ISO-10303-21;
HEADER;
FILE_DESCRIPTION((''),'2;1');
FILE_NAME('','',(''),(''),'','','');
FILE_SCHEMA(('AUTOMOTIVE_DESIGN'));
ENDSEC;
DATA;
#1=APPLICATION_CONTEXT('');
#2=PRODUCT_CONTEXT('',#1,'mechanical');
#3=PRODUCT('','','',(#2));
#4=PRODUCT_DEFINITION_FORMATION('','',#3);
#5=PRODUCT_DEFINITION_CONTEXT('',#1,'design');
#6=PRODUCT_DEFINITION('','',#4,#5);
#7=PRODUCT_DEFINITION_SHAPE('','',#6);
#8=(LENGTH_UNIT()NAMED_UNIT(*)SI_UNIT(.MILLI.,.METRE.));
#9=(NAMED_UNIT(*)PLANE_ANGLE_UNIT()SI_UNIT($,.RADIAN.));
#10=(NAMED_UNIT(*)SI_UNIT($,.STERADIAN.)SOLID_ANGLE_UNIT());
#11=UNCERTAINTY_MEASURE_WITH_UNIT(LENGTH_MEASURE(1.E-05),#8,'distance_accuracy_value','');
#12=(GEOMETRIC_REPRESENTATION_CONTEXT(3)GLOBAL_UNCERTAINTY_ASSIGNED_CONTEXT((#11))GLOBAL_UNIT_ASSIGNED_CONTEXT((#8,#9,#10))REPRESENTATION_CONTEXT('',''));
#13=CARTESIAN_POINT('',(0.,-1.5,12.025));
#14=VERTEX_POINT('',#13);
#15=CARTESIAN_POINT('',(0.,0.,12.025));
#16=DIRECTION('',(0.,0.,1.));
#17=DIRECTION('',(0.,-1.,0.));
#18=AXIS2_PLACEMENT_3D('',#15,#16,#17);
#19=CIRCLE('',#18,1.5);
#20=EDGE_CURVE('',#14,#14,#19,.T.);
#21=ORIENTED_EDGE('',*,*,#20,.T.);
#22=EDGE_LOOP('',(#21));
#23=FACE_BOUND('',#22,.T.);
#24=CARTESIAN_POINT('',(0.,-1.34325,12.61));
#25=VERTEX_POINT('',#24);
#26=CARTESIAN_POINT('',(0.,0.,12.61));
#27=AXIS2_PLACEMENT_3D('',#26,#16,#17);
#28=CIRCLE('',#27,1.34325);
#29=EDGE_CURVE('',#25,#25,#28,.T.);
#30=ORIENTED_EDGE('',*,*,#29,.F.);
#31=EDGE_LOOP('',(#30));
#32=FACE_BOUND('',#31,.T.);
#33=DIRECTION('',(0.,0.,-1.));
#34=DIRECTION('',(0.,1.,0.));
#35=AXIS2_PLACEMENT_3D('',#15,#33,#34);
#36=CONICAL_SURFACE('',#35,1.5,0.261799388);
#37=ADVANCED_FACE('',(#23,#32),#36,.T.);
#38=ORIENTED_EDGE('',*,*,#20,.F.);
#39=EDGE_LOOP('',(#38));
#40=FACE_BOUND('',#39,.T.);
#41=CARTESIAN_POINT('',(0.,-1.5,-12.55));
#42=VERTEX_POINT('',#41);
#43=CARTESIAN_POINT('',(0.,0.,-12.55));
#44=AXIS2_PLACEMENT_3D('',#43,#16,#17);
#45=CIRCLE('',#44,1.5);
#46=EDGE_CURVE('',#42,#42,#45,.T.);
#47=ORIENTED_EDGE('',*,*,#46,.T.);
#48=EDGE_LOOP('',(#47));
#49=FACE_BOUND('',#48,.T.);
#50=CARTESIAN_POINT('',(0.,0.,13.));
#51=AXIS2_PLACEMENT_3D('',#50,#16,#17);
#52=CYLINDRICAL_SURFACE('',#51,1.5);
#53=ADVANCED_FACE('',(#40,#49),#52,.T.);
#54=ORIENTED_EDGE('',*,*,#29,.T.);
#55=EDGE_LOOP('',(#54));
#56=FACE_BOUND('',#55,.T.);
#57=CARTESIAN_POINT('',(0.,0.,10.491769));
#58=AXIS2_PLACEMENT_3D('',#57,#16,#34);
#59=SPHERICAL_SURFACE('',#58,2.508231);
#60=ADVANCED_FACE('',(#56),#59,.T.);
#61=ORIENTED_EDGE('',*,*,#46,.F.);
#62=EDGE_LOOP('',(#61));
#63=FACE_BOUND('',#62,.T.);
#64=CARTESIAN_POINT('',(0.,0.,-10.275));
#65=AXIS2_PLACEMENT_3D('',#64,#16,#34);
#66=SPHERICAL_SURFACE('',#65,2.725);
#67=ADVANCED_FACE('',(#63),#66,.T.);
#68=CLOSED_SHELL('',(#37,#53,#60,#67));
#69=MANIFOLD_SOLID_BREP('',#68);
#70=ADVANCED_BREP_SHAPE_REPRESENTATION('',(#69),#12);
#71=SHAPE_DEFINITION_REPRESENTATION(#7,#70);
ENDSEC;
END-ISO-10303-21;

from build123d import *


with BuildPart() as part:
    # Sketch3 → Revolve1 (revolve)
    with BuildSketch(Plane(origin=(0, 0, 0), x_dir=(0, 0, -1), z_dir=(1, 0, 0))):
        with BuildLine():
            Line((-13, 0), (13, 0))
            ThreePointArc((13, 0), (12.885076627, 0.783022988), (12.55, 1.5))
            Line((12.55, 1.5), (-12.025, 1.5))
            Line((-12.025, 1.5), (-12.61, 1.343249722))
            ThreePointArc((-12.61, 1.343249722), (-12.90052754, 0.699360389), (-13, 0))
        make_face()
    revolve(axis=Axis((0, 0, 13), (0, 0, -1)))


solid = part.part
